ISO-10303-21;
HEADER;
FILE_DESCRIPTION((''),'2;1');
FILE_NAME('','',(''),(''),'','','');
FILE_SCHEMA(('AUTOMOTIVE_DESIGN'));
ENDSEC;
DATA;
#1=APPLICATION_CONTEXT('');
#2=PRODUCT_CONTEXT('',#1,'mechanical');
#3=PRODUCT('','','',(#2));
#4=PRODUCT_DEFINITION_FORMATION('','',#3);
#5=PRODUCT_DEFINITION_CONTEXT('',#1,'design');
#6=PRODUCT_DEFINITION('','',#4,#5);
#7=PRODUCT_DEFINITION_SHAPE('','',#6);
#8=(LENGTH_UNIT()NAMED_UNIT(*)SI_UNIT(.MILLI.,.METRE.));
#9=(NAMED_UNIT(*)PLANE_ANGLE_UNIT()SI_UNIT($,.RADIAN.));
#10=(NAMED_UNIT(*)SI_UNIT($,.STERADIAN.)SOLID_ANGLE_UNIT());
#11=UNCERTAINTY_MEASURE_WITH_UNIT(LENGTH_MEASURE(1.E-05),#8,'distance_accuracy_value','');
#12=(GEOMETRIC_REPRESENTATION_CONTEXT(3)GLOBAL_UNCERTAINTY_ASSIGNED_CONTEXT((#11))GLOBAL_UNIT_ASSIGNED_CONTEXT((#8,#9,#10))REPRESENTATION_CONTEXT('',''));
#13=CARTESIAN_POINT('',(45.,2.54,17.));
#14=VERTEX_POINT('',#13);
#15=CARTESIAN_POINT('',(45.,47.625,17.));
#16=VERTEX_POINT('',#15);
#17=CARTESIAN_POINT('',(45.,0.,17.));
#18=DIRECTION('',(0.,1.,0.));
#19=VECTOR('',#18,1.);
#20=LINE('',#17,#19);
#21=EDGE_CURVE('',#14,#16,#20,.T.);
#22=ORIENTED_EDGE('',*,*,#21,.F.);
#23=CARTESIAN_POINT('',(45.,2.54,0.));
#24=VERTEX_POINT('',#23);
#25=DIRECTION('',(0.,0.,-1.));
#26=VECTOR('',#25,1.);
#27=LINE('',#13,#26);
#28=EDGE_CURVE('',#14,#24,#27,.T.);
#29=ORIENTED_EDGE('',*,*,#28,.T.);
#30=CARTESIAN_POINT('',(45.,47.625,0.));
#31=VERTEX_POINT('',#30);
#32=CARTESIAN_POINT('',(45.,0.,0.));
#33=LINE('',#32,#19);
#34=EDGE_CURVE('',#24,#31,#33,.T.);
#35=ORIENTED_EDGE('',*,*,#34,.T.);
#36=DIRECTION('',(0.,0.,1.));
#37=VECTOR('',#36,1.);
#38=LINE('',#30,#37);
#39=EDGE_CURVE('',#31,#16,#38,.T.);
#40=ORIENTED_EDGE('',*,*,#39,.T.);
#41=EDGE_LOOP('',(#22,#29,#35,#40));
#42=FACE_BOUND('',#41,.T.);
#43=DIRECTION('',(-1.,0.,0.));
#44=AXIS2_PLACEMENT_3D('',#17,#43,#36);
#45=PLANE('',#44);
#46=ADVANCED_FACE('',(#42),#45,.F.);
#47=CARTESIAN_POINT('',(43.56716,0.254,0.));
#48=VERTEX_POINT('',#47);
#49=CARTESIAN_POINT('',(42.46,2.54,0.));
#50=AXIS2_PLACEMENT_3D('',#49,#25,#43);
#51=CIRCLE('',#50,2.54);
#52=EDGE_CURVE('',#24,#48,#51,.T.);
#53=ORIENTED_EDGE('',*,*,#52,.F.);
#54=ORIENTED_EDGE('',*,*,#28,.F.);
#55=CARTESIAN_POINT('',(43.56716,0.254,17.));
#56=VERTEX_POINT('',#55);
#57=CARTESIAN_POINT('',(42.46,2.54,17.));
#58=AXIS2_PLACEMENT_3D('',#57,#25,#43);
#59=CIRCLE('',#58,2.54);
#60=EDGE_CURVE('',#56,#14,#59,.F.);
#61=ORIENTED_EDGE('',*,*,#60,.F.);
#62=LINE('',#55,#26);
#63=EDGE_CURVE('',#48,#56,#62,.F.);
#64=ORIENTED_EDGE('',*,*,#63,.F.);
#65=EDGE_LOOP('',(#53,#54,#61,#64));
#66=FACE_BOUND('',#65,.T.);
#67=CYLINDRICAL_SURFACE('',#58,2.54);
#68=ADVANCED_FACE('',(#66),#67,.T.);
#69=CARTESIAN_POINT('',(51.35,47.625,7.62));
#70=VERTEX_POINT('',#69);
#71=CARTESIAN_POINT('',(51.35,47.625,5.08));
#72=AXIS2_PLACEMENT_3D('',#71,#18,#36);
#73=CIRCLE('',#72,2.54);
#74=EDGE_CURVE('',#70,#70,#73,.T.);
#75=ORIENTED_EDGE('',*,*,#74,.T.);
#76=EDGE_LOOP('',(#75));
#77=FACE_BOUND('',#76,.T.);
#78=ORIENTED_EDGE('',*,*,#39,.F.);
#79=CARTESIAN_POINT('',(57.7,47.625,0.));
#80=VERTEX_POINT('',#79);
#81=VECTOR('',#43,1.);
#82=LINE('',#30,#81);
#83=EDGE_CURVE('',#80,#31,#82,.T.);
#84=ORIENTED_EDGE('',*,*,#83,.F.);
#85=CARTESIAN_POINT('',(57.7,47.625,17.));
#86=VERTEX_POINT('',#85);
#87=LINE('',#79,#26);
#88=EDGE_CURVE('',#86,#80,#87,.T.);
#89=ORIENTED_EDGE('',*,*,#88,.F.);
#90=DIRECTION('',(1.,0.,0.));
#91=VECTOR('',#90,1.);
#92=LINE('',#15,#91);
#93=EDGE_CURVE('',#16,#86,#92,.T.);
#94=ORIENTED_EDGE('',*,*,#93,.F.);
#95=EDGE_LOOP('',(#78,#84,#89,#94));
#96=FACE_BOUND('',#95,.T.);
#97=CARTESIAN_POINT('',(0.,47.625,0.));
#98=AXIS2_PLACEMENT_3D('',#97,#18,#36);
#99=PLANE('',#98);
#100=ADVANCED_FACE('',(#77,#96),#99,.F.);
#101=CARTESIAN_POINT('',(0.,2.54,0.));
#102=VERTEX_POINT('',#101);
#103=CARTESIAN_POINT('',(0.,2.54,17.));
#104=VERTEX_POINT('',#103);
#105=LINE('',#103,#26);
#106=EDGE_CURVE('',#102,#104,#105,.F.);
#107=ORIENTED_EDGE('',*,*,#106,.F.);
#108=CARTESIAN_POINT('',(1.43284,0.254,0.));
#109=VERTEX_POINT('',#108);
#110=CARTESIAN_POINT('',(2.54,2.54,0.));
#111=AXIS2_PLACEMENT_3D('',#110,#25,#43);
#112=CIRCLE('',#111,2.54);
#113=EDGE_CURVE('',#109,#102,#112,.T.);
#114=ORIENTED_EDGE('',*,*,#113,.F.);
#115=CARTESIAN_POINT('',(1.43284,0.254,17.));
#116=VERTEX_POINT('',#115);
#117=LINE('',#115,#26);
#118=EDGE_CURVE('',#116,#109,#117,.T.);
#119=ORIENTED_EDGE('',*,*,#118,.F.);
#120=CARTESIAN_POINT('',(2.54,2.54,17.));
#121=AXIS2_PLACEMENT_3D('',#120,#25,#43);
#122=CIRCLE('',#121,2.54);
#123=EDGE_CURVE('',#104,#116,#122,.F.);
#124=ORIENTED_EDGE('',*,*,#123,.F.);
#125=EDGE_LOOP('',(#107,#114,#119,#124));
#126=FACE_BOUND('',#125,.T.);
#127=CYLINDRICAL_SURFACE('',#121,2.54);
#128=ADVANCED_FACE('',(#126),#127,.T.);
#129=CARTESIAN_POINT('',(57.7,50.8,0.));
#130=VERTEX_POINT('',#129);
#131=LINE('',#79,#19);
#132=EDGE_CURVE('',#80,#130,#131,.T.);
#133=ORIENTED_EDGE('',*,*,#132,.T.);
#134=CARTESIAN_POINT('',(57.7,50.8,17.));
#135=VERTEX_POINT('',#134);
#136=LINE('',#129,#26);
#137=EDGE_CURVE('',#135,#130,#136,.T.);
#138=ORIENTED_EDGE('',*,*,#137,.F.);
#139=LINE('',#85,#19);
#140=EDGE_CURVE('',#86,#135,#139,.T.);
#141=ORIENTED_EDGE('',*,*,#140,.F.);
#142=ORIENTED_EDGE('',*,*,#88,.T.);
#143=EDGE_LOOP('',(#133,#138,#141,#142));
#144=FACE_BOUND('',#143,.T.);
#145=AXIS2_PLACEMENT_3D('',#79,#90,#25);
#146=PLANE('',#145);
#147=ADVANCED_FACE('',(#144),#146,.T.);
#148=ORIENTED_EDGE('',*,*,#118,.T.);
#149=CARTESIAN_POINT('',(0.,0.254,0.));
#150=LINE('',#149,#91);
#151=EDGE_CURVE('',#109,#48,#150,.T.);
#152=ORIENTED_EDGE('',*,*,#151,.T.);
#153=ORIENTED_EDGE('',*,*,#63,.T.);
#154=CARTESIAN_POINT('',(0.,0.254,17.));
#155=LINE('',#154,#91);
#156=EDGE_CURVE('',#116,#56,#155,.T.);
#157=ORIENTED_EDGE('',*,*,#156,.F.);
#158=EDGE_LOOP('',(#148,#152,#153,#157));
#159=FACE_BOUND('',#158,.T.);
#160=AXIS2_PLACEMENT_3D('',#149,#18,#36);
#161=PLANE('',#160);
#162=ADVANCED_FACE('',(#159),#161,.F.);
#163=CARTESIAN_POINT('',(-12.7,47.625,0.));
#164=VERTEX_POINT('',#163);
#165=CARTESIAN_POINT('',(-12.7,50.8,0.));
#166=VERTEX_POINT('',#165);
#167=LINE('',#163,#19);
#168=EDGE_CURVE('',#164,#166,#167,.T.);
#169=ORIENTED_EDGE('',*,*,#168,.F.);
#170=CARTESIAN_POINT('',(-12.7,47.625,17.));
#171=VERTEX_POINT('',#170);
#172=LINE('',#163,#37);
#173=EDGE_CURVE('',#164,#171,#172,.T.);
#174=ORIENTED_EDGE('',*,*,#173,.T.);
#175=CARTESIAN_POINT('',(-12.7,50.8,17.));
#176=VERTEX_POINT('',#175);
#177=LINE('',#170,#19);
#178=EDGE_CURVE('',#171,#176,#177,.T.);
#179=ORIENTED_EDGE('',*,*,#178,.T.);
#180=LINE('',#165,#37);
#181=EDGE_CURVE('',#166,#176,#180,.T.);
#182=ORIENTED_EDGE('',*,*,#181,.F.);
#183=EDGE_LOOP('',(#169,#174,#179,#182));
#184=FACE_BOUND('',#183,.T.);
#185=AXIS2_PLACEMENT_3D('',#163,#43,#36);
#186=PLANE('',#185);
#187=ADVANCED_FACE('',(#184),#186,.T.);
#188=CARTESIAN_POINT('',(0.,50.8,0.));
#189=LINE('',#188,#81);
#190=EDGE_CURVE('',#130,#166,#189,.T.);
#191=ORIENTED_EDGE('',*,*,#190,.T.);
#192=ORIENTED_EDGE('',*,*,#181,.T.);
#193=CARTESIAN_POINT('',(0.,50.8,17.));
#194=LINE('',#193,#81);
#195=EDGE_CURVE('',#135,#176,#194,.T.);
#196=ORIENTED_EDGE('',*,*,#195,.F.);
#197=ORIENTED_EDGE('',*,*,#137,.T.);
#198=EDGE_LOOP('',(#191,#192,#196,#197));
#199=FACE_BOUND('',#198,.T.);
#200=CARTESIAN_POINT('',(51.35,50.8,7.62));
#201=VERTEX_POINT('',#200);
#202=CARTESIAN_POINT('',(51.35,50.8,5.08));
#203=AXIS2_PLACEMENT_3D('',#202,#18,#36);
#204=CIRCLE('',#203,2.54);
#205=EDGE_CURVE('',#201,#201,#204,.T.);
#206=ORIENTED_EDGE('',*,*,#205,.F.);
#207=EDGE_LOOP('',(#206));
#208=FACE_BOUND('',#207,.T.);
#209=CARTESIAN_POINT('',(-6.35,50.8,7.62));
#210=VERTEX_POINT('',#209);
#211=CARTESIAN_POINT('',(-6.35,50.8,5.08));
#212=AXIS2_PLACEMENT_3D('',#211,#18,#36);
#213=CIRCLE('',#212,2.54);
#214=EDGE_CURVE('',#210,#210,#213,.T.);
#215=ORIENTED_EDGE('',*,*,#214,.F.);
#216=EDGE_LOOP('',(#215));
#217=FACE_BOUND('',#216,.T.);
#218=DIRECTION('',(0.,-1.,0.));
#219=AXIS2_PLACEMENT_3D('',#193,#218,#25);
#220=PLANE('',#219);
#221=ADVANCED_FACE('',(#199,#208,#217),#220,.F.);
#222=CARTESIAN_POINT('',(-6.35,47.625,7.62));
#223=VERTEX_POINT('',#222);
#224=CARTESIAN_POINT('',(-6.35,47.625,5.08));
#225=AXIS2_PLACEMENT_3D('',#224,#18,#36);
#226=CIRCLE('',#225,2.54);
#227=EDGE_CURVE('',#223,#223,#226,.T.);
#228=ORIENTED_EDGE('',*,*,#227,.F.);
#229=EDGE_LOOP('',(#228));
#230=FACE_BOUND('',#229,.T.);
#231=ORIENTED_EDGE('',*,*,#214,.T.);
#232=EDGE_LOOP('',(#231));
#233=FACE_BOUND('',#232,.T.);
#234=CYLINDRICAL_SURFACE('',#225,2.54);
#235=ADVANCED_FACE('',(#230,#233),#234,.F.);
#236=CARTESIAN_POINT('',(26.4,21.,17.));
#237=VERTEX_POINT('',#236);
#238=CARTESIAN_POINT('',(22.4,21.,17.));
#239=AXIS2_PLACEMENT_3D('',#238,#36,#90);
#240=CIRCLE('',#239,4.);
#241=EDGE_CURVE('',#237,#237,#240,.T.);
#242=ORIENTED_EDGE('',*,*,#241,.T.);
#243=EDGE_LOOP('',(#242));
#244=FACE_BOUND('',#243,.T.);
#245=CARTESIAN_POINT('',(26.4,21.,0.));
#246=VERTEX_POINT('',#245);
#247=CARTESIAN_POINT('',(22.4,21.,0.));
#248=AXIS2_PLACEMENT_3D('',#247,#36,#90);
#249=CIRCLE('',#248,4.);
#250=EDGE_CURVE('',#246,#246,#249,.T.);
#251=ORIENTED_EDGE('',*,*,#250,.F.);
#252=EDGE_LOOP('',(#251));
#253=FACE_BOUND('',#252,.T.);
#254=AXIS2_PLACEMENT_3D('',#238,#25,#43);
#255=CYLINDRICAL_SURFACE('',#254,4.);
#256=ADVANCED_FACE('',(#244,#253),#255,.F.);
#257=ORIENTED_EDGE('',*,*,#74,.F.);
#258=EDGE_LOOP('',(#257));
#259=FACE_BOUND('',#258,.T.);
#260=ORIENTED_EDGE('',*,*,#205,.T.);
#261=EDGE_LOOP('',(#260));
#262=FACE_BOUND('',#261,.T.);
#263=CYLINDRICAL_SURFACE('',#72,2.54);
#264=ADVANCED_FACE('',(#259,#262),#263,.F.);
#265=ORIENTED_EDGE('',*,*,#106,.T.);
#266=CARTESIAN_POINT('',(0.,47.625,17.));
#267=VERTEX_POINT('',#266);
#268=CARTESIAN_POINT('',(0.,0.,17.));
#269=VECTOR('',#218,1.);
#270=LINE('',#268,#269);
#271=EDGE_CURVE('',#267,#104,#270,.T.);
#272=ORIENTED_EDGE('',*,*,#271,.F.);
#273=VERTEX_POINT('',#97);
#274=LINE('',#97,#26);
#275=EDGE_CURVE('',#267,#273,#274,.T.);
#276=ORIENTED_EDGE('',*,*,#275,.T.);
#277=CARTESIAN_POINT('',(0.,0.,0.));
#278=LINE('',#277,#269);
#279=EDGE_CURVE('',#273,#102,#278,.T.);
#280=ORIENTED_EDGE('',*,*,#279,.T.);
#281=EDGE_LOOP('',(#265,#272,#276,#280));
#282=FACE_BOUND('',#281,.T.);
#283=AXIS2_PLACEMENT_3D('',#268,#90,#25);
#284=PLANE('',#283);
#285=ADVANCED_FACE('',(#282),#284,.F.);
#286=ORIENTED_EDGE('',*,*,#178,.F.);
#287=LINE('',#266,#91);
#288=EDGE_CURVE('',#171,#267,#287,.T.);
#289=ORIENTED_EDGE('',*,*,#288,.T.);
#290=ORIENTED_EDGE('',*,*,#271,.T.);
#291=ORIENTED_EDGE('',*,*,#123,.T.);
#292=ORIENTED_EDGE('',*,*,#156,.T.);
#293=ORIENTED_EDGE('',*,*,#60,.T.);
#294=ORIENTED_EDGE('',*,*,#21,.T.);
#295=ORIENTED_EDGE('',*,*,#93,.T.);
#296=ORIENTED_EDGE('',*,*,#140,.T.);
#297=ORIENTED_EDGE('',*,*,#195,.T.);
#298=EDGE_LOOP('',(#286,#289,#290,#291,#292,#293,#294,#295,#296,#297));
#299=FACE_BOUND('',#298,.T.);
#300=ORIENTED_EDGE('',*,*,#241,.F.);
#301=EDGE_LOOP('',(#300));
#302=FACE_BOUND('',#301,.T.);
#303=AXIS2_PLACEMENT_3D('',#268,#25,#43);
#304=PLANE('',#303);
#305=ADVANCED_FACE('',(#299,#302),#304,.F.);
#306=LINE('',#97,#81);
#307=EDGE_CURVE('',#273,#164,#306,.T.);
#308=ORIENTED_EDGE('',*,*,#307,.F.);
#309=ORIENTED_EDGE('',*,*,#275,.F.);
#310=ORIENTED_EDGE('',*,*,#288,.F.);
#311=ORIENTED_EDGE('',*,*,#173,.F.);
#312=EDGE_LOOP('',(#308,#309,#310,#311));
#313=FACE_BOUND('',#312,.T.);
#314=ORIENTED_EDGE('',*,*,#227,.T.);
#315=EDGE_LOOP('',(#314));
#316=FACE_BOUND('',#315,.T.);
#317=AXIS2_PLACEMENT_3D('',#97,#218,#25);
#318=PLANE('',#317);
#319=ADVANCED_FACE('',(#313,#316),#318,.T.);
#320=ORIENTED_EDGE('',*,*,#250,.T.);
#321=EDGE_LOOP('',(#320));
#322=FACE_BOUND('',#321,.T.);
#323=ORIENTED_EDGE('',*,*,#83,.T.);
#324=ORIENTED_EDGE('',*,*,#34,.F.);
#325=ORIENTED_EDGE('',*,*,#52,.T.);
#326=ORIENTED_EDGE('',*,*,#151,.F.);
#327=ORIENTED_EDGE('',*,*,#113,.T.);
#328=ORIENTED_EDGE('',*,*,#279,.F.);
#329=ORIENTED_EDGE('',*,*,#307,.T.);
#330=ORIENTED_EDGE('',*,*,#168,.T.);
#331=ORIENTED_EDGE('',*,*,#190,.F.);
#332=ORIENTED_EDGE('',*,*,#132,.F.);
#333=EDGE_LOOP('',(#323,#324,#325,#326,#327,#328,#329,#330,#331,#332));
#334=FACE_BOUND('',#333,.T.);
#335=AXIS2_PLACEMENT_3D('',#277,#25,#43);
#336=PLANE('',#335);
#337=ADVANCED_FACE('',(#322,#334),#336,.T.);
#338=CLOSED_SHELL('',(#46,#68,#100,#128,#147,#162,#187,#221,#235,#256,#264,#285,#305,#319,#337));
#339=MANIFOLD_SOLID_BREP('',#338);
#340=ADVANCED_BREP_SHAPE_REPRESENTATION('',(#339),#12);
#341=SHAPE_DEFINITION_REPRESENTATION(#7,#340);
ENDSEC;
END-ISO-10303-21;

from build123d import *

# Parameters (mm, degrees)
SKETCH1_W           = 45
SKETCH1_H           = 50.8
SKETCH1_R           = 4
BOSS_EXTRUDE1_DEPTH = 17
FILLET1_R           = 2.54
SKETCH3_W           = 17
SKETCH3_H           = 0.254
CUT_EXTRUDE2_DEPTH  = 46
SKETCH4_W           = 12.7
SKETCH4_H           = 17
SKETCH4_R           = 2.54
BOSS_EXTRUDE2_DEPTH = 3.175


with BuildPart() as part:
    # Sketch1 → Boss-Extrude1 (new body)
    with BuildSketch(Plane.XY):
        with Locations((22.5, 25.4)):
            Rectangle(SKETCH1_W, SKETCH1_H)
        with Locations((22.4, 21)):
            Circle(SKETCH1_R, mode=Mode.SUBTRACT)
    extrude(amount=BOSS_EXTRUDE1_DEPTH)

    # Fillet1
    fillet1_edges = [part.edges().sort_by_distance(p)[0] for p in [
        (45, 0, 8.5),
        (0, 0, 8.5),
    ]]
    fillet(fillet1_edges, radius=FILLET1_R)

    # Sketch3 → Cut-Extrude2 (cut, through all)
    with BuildSketch(Plane(origin=(45, 0, 0), x_dir=(0, 0, -1), z_dir=(1, 0, 0))):
        with Locations((-8.5, 0.127)):
            Rectangle(SKETCH3_W, SKETCH3_H)
    extrude(amount=-CUT_EXTRUDE2_DEPTH, mode=Mode.SUBTRACT)

    # Sketch4 → Boss-Extrude2 (add)
    with BuildSketch(Plane(origin=(0, 50.8, 0), x_dir=(1, 0, 0), z_dir=(0, 1, 0))):
        with Locations((51.35, -8.5)):
            Rectangle(SKETCH4_W, SKETCH4_H)
        with Locations((51.35, -5.08)):
            Circle(SKETCH4_R, mode=Mode.SUBTRACT)
        with Locations((-6.35, -8.5)):
            Rectangle(SKETCH4_W, SKETCH4_H)
        with Locations((-6.35, -5.08)):
            Circle(SKETCH4_R, mode=Mode.SUBTRACT)
    extrude(amount=-BOSS_EXTRUDE2_DEPTH)


solid = part.part
